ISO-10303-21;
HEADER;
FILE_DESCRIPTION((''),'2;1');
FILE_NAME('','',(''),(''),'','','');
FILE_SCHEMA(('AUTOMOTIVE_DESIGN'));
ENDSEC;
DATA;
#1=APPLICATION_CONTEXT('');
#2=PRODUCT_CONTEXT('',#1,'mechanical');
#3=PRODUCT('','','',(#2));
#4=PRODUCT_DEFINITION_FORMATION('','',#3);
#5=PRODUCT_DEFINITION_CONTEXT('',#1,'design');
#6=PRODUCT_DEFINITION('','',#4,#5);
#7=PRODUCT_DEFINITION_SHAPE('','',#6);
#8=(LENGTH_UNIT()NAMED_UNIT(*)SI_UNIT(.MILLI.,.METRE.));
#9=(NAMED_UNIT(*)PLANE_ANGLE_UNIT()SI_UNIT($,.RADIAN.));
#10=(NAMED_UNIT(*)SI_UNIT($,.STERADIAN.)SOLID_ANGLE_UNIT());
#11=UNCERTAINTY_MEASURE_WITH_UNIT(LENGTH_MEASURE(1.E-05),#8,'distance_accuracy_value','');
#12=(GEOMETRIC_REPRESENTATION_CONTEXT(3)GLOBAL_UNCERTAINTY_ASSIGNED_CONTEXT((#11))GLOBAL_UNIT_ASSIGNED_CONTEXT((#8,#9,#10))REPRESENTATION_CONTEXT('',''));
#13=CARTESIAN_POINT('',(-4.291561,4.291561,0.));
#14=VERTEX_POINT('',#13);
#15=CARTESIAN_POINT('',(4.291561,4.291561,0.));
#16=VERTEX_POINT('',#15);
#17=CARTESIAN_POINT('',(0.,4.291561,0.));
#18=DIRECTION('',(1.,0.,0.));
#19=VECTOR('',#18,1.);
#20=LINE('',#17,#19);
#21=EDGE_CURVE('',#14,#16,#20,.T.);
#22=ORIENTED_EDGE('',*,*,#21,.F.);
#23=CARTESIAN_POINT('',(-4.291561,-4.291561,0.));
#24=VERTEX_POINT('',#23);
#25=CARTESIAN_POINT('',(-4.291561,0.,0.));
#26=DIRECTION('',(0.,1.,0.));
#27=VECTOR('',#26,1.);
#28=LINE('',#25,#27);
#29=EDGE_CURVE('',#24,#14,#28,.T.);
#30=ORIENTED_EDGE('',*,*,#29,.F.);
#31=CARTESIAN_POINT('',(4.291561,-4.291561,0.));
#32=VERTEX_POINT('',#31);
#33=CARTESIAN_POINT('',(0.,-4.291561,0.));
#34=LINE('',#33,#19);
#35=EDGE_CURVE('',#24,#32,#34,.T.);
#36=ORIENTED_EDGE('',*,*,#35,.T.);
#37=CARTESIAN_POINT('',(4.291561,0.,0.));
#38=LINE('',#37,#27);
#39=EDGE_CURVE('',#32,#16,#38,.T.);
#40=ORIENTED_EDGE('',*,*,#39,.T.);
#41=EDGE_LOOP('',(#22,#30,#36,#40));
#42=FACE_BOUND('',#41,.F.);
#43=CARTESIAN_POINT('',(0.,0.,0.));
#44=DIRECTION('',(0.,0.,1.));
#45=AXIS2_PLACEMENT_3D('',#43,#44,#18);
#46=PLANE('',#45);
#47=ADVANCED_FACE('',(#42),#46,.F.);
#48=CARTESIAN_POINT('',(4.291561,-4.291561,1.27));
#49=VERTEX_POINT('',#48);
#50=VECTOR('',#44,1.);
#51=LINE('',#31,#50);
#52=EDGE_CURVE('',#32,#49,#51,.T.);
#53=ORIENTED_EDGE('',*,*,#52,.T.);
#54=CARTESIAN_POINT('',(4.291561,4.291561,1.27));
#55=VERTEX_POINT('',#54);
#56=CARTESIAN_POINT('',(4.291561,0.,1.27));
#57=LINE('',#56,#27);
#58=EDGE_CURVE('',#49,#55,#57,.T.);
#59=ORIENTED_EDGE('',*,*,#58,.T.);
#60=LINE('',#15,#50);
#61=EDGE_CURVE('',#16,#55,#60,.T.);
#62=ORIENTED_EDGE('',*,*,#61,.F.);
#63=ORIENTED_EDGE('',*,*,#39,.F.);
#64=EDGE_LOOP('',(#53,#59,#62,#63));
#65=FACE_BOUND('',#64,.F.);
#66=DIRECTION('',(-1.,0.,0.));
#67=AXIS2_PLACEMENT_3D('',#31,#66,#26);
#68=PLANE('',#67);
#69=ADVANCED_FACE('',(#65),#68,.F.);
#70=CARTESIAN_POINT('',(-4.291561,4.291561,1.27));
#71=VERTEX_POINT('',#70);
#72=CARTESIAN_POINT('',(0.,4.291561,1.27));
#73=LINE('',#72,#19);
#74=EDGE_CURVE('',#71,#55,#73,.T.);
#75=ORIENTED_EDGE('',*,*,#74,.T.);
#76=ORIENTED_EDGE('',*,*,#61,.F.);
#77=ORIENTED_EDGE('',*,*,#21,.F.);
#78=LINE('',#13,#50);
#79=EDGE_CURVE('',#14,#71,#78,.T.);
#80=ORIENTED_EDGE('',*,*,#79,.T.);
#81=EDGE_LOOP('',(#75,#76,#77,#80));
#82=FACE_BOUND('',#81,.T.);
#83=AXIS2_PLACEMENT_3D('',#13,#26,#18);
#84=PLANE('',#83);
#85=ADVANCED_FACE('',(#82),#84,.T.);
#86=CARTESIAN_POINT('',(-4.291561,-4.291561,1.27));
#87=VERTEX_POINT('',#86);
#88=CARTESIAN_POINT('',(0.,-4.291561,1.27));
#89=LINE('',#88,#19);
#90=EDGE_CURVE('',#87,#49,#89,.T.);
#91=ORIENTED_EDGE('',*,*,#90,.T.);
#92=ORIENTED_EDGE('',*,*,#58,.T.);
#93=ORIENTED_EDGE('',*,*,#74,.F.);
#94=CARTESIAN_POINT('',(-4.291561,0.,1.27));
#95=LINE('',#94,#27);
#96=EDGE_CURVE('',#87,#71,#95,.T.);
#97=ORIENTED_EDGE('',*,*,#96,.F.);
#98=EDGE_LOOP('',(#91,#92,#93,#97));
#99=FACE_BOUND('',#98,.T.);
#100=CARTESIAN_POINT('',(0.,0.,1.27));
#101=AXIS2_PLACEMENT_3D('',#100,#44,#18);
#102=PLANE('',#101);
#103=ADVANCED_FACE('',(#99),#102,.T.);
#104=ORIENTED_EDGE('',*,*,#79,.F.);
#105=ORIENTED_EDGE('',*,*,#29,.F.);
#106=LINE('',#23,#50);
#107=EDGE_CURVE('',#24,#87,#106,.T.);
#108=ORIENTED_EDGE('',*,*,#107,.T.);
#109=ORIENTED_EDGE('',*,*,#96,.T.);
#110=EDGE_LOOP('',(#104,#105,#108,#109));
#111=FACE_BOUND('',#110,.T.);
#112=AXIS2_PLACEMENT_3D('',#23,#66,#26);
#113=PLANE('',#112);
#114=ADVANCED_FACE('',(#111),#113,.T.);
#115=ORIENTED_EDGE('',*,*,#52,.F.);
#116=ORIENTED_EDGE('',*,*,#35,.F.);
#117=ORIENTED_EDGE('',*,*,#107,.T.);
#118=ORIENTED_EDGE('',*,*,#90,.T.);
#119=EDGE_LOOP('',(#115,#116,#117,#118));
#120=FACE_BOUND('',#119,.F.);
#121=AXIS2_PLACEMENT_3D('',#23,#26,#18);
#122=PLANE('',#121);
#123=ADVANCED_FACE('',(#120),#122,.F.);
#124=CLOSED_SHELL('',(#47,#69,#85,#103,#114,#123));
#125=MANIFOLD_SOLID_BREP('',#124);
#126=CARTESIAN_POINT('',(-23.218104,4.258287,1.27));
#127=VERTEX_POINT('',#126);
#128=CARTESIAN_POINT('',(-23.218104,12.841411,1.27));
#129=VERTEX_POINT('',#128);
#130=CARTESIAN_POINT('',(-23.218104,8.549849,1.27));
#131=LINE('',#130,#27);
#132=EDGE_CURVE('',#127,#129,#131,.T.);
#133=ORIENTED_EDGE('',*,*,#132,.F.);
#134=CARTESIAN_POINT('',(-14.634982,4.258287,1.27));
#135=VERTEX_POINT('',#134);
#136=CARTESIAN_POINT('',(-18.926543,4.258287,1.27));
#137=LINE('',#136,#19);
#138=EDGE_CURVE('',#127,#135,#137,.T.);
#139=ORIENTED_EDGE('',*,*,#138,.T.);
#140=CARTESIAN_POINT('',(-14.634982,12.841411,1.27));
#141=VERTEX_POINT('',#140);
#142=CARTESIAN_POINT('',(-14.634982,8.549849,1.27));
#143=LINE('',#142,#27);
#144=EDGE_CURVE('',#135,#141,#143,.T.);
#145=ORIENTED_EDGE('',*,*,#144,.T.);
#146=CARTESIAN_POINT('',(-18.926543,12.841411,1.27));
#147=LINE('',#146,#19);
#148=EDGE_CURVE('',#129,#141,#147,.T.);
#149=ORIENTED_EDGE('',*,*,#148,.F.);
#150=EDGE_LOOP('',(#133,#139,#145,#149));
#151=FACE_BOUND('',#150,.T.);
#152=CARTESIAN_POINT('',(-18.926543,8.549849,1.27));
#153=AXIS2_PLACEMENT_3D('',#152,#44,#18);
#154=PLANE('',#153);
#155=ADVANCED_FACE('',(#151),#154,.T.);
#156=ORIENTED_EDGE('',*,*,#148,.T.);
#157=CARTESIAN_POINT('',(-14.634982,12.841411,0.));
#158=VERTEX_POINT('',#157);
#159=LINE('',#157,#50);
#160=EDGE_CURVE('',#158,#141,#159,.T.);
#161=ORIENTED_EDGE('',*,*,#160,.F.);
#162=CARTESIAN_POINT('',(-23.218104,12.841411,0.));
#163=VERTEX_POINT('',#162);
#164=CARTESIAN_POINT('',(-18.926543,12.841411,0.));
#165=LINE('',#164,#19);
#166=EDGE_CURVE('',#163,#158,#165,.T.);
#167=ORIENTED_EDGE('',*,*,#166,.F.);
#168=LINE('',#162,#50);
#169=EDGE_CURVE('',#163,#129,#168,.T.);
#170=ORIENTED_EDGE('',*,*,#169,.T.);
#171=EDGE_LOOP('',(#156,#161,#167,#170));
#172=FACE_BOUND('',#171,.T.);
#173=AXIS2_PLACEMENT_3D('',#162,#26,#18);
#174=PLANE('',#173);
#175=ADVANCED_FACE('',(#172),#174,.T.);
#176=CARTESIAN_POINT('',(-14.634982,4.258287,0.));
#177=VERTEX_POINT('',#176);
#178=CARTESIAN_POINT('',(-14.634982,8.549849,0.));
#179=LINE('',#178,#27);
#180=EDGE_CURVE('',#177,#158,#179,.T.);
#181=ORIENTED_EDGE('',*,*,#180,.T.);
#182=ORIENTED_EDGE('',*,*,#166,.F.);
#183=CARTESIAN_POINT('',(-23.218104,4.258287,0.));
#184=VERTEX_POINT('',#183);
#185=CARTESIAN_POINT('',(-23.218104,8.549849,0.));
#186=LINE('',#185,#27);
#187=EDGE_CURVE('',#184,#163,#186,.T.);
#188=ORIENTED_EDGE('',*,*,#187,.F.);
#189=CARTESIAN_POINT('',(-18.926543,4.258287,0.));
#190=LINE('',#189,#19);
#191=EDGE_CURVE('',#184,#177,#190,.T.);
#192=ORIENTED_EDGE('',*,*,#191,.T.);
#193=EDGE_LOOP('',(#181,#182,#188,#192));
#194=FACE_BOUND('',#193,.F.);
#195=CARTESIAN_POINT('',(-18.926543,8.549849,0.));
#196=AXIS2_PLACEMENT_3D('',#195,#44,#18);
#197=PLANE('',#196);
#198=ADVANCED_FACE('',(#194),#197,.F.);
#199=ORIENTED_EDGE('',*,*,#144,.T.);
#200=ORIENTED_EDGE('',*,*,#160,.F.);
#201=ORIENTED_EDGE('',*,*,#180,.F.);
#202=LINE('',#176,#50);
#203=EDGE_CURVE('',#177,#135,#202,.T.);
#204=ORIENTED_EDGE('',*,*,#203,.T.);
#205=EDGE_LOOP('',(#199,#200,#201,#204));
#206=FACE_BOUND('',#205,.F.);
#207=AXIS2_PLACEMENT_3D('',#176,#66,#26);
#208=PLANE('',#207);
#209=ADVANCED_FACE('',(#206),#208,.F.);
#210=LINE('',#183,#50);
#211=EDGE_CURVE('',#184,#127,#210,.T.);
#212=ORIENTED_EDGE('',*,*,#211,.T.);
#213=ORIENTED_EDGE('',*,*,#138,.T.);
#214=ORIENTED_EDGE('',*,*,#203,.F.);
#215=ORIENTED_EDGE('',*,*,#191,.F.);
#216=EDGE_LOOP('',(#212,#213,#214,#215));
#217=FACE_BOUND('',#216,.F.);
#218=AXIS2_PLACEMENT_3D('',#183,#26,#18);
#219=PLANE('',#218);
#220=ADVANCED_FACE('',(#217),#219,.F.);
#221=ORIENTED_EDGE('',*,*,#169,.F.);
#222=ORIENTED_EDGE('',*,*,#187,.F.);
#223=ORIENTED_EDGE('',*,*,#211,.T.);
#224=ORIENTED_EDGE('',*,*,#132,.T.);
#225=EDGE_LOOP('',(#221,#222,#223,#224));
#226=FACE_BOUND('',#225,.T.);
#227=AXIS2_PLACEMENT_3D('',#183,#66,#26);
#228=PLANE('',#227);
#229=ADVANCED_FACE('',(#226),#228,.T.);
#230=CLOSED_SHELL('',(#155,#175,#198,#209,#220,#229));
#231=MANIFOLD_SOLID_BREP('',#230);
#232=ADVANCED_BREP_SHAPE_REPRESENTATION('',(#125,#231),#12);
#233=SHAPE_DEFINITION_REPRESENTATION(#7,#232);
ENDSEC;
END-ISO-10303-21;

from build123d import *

# Parameters (mm, degrees)
F0_W     = 8.583123
F0_H     = 8.583123
F0_W_2   = 8.583122
F0_H_2   = 8.583122
F1_DEPTH = 1.27


with BuildPart() as f1:
    # F0 (on Top) → F1 (new body)
    with BuildSketch(Plane.XY):
        with Locations((-18.926543, 8.549849)):
            Rectangle(F0_W, F0_H)
        Rectangle(F0_W_2, F0_H_2)
    extrude(amount=F1_DEPTH)


solid = f1.part
